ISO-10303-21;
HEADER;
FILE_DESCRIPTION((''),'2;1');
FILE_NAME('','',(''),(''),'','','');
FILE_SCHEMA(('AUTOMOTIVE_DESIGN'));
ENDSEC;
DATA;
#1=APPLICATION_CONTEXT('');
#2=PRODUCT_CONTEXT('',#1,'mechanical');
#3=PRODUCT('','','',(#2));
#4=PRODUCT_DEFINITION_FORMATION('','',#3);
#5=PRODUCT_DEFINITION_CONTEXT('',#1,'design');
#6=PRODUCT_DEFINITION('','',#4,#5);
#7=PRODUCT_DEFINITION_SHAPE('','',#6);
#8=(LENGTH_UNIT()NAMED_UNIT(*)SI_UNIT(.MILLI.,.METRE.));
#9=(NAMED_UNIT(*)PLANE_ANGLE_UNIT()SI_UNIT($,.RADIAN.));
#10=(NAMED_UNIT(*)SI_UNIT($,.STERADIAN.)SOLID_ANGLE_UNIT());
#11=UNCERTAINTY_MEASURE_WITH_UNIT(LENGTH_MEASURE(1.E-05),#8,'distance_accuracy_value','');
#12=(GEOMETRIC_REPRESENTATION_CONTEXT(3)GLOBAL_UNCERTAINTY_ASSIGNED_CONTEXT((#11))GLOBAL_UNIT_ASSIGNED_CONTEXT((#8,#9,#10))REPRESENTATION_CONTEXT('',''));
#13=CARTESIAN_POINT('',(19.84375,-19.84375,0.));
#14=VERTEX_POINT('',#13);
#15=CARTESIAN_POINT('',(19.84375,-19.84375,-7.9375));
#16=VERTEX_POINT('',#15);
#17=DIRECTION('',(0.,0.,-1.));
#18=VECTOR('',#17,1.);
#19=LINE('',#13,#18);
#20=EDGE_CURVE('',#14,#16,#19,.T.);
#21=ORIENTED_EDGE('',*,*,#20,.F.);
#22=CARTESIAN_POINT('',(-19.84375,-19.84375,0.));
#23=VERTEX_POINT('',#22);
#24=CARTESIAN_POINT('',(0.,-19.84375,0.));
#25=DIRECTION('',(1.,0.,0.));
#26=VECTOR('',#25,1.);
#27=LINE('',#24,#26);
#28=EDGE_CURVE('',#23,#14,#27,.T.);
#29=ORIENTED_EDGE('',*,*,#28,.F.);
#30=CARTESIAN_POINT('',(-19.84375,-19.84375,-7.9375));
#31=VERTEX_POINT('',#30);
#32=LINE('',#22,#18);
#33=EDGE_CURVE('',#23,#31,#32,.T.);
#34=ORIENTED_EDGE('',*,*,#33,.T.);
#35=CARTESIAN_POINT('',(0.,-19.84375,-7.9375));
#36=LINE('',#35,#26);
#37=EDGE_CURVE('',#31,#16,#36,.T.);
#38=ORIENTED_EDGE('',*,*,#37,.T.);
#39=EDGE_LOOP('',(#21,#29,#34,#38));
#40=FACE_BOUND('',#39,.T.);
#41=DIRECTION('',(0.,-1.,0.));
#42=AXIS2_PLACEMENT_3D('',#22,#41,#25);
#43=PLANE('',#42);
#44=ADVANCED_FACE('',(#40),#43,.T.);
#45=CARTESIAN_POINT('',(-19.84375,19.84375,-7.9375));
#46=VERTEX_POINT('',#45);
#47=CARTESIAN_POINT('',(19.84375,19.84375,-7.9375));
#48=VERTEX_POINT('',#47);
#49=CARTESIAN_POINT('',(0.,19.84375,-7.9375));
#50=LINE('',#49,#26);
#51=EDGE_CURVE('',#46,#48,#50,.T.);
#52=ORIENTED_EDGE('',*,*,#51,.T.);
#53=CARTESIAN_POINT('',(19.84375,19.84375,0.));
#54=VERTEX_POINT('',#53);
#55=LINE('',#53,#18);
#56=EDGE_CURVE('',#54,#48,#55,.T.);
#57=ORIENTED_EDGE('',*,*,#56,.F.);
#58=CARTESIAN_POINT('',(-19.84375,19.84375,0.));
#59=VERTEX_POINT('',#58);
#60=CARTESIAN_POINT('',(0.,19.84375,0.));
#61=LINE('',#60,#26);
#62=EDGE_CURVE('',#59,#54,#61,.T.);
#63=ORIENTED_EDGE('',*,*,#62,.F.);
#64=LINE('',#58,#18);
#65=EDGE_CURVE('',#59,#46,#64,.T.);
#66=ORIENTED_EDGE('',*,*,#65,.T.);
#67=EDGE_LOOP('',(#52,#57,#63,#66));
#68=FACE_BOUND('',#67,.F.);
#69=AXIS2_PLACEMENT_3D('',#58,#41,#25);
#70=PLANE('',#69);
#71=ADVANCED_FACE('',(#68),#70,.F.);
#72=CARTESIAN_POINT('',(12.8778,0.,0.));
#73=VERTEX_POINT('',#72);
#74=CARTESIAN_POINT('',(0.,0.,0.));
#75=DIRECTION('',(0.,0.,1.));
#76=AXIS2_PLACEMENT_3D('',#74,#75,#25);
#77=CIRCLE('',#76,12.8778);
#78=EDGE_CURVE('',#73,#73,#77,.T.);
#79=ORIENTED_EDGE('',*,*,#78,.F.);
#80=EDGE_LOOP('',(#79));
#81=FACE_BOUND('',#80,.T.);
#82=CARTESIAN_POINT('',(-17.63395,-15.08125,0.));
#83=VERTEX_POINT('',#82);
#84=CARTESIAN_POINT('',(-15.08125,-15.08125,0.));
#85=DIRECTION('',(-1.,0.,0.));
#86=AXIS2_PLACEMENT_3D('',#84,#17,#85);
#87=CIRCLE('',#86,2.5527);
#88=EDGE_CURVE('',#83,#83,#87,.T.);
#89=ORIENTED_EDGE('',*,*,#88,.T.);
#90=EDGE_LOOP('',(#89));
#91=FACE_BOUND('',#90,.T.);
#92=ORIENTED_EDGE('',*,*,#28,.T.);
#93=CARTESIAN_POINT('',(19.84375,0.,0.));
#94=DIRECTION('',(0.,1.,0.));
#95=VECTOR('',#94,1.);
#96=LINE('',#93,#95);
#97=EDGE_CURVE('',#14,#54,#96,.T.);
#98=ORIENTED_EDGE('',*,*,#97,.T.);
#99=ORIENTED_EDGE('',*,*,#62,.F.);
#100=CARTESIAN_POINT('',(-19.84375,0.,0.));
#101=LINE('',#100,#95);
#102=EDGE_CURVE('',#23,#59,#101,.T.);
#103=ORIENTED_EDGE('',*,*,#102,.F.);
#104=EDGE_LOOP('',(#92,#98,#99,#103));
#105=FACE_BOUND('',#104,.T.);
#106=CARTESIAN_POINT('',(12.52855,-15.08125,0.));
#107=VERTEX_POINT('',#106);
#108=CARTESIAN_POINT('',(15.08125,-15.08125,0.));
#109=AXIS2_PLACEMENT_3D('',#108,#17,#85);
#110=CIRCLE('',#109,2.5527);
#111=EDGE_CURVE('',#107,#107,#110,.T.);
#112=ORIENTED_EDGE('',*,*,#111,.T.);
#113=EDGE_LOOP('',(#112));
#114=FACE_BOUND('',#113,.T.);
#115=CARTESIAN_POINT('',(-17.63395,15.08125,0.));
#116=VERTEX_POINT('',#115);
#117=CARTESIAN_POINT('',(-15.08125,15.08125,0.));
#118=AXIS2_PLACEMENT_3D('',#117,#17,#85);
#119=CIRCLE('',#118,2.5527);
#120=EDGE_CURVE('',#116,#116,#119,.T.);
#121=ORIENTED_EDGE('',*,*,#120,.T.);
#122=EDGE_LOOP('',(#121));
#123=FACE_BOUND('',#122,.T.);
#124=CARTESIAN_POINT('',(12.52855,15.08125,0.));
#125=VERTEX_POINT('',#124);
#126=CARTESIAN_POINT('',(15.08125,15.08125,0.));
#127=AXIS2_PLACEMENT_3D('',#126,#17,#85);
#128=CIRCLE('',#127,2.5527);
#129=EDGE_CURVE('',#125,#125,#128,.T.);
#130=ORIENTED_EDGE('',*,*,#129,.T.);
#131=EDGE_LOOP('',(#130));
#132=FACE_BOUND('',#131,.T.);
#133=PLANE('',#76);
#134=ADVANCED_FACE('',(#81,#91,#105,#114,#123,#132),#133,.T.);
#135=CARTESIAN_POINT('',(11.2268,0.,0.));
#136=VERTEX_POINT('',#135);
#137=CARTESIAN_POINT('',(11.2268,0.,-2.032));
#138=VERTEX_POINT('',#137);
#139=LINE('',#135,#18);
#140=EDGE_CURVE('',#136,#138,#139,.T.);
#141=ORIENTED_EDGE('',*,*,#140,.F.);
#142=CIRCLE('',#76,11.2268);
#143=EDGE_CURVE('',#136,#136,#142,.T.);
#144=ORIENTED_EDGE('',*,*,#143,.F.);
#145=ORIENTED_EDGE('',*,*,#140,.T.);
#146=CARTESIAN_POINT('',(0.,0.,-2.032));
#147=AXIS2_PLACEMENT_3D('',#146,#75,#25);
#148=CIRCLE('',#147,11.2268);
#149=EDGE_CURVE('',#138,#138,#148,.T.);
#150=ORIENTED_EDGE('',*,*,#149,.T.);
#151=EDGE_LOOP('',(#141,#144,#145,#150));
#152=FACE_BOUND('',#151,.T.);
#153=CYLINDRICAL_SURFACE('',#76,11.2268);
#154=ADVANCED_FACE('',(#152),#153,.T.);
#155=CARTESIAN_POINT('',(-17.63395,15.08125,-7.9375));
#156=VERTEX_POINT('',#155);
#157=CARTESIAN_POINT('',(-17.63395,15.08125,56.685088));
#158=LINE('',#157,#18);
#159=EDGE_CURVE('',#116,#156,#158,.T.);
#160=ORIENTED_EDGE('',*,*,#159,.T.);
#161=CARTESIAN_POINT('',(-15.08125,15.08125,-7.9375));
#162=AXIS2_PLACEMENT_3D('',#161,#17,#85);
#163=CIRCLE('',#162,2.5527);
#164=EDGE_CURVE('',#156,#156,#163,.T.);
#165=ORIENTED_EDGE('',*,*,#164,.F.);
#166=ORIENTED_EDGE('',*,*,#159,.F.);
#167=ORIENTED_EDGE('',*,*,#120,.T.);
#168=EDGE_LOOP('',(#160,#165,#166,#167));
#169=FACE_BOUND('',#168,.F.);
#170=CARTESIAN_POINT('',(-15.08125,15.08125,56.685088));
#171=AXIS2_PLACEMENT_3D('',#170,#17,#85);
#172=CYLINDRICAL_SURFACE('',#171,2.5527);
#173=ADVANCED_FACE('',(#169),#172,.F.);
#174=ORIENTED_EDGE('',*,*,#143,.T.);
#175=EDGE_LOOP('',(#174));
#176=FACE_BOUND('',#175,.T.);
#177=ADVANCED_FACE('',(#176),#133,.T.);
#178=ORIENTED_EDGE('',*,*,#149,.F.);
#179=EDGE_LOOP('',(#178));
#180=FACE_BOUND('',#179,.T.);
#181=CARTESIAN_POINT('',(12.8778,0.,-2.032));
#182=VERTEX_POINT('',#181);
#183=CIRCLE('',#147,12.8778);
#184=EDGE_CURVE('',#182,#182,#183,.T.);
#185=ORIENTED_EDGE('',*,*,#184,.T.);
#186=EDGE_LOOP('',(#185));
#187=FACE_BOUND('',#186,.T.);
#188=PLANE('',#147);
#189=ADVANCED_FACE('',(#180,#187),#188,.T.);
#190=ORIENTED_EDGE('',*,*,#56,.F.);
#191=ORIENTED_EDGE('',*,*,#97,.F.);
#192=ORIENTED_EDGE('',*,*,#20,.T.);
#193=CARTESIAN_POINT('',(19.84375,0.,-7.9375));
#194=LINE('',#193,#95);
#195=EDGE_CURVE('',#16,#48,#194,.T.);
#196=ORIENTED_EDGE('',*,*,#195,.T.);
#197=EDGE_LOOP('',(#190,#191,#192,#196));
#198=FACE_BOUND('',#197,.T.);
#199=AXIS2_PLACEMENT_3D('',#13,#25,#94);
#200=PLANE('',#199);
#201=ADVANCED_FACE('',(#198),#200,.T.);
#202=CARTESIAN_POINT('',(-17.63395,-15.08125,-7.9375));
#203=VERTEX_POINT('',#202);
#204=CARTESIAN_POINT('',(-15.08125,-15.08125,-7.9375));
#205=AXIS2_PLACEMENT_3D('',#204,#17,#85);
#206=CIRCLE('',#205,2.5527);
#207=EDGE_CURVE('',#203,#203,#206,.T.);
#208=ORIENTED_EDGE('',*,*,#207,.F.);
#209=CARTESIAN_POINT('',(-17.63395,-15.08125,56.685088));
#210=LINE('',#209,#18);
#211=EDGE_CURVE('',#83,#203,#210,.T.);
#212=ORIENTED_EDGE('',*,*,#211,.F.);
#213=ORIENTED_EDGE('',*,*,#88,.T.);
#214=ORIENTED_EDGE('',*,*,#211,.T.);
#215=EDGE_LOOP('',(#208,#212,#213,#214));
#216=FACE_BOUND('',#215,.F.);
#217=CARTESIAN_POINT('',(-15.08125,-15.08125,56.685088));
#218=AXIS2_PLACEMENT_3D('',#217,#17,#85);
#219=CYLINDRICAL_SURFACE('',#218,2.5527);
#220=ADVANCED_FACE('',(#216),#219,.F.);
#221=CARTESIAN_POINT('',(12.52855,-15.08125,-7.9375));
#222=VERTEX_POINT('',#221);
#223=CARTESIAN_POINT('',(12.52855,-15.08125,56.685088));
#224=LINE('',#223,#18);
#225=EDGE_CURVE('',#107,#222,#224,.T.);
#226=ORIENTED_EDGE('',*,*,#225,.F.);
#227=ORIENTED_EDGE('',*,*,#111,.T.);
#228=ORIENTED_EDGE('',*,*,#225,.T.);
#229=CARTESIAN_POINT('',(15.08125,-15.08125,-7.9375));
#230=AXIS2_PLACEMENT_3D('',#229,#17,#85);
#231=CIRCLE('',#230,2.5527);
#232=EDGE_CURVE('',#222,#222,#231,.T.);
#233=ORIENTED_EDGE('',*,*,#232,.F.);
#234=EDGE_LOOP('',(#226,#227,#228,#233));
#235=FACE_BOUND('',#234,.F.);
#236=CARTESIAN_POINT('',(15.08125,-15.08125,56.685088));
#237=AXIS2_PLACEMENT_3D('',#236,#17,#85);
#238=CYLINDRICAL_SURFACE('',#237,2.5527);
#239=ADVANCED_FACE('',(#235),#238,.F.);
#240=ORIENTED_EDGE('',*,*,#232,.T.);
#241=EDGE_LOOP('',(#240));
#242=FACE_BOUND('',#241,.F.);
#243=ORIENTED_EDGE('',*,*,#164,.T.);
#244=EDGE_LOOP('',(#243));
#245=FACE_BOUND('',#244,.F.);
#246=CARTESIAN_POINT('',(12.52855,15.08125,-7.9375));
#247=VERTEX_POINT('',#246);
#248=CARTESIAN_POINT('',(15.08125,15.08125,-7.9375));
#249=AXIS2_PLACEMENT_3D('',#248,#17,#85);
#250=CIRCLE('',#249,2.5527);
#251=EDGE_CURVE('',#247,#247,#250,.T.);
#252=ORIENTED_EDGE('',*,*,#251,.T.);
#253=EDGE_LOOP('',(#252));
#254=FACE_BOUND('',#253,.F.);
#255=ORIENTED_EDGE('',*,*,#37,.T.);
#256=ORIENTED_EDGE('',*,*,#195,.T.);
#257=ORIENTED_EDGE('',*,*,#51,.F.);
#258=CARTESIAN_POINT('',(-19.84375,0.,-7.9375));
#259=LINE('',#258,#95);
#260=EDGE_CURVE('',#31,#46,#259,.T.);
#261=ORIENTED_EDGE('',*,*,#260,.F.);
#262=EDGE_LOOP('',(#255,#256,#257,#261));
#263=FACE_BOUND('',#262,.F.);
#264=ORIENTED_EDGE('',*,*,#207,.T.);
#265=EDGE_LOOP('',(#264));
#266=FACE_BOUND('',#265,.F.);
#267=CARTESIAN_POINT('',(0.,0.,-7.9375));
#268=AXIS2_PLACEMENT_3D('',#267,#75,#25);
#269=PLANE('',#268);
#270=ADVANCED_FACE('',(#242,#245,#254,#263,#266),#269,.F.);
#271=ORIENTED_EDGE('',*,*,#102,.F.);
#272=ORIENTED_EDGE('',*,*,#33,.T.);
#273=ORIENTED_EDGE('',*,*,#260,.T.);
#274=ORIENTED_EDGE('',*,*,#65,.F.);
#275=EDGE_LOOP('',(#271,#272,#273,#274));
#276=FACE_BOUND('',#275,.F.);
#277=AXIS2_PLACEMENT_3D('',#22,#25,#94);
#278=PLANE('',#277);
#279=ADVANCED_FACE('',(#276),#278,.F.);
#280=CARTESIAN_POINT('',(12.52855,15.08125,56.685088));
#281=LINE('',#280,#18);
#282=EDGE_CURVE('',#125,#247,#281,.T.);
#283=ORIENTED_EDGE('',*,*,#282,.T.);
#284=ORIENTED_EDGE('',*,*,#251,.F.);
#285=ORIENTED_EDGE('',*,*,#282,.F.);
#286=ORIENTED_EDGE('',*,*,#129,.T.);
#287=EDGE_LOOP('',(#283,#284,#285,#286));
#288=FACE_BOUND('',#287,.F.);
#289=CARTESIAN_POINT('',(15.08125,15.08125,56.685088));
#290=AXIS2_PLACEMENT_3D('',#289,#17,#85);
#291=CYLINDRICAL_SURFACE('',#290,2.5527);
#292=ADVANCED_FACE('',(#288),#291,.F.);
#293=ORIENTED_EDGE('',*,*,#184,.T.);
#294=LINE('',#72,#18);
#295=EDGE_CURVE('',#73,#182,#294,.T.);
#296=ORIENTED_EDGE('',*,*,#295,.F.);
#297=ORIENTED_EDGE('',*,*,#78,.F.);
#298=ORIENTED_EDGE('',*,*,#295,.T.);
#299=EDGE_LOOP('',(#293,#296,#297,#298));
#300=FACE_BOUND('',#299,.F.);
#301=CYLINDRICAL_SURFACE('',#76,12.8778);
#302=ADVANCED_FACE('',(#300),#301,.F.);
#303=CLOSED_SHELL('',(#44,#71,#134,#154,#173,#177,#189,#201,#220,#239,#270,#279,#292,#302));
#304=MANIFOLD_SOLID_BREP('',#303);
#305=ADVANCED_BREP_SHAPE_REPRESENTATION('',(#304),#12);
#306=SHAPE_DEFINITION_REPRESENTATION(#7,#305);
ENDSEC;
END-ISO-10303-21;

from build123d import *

# Parameters (mm, degrees)
F0_W     = 39.6875
F0_H     = 39.6875
F0_R     = 12.8778
F0_R_2   = 11.2268
F1_DEPTH = 7.9375
F2_DEPTH = 2.032
F3_D     = 5.1054


with BuildPart() as f1:
    # F0 (on Top) → F1 (new body)
    with BuildSketch(Plane.XY):
        Rectangle(F0_W, F0_H)
        Circle(F0_R, mode=Mode.SUBTRACT)
        Circle(F0_R)
        Circle(F0_R_2, mode=Mode.SUBTRACT)
        Circle(F0_R_2)
    extrude(amount=-F1_DEPTH)

    # F0 (on Top) → F2 (cut)
    with BuildSketch(Plane.XY):
        Circle(F0_R)
        Circle(F0_R_2, mode=Mode.SUBTRACT)
    extrude(amount=-F2_DEPTH, mode=Mode.SUBTRACT)

    # F3 (through all)
    with Locations(Plane.XY):
        with Locations((-15.08125, 15.08125), (15.08125, 15.08125), (15.08125, -15.08125), (-15.08125, -15.08125)):
            Hole(F3_D / 2)


solid = f1.part
